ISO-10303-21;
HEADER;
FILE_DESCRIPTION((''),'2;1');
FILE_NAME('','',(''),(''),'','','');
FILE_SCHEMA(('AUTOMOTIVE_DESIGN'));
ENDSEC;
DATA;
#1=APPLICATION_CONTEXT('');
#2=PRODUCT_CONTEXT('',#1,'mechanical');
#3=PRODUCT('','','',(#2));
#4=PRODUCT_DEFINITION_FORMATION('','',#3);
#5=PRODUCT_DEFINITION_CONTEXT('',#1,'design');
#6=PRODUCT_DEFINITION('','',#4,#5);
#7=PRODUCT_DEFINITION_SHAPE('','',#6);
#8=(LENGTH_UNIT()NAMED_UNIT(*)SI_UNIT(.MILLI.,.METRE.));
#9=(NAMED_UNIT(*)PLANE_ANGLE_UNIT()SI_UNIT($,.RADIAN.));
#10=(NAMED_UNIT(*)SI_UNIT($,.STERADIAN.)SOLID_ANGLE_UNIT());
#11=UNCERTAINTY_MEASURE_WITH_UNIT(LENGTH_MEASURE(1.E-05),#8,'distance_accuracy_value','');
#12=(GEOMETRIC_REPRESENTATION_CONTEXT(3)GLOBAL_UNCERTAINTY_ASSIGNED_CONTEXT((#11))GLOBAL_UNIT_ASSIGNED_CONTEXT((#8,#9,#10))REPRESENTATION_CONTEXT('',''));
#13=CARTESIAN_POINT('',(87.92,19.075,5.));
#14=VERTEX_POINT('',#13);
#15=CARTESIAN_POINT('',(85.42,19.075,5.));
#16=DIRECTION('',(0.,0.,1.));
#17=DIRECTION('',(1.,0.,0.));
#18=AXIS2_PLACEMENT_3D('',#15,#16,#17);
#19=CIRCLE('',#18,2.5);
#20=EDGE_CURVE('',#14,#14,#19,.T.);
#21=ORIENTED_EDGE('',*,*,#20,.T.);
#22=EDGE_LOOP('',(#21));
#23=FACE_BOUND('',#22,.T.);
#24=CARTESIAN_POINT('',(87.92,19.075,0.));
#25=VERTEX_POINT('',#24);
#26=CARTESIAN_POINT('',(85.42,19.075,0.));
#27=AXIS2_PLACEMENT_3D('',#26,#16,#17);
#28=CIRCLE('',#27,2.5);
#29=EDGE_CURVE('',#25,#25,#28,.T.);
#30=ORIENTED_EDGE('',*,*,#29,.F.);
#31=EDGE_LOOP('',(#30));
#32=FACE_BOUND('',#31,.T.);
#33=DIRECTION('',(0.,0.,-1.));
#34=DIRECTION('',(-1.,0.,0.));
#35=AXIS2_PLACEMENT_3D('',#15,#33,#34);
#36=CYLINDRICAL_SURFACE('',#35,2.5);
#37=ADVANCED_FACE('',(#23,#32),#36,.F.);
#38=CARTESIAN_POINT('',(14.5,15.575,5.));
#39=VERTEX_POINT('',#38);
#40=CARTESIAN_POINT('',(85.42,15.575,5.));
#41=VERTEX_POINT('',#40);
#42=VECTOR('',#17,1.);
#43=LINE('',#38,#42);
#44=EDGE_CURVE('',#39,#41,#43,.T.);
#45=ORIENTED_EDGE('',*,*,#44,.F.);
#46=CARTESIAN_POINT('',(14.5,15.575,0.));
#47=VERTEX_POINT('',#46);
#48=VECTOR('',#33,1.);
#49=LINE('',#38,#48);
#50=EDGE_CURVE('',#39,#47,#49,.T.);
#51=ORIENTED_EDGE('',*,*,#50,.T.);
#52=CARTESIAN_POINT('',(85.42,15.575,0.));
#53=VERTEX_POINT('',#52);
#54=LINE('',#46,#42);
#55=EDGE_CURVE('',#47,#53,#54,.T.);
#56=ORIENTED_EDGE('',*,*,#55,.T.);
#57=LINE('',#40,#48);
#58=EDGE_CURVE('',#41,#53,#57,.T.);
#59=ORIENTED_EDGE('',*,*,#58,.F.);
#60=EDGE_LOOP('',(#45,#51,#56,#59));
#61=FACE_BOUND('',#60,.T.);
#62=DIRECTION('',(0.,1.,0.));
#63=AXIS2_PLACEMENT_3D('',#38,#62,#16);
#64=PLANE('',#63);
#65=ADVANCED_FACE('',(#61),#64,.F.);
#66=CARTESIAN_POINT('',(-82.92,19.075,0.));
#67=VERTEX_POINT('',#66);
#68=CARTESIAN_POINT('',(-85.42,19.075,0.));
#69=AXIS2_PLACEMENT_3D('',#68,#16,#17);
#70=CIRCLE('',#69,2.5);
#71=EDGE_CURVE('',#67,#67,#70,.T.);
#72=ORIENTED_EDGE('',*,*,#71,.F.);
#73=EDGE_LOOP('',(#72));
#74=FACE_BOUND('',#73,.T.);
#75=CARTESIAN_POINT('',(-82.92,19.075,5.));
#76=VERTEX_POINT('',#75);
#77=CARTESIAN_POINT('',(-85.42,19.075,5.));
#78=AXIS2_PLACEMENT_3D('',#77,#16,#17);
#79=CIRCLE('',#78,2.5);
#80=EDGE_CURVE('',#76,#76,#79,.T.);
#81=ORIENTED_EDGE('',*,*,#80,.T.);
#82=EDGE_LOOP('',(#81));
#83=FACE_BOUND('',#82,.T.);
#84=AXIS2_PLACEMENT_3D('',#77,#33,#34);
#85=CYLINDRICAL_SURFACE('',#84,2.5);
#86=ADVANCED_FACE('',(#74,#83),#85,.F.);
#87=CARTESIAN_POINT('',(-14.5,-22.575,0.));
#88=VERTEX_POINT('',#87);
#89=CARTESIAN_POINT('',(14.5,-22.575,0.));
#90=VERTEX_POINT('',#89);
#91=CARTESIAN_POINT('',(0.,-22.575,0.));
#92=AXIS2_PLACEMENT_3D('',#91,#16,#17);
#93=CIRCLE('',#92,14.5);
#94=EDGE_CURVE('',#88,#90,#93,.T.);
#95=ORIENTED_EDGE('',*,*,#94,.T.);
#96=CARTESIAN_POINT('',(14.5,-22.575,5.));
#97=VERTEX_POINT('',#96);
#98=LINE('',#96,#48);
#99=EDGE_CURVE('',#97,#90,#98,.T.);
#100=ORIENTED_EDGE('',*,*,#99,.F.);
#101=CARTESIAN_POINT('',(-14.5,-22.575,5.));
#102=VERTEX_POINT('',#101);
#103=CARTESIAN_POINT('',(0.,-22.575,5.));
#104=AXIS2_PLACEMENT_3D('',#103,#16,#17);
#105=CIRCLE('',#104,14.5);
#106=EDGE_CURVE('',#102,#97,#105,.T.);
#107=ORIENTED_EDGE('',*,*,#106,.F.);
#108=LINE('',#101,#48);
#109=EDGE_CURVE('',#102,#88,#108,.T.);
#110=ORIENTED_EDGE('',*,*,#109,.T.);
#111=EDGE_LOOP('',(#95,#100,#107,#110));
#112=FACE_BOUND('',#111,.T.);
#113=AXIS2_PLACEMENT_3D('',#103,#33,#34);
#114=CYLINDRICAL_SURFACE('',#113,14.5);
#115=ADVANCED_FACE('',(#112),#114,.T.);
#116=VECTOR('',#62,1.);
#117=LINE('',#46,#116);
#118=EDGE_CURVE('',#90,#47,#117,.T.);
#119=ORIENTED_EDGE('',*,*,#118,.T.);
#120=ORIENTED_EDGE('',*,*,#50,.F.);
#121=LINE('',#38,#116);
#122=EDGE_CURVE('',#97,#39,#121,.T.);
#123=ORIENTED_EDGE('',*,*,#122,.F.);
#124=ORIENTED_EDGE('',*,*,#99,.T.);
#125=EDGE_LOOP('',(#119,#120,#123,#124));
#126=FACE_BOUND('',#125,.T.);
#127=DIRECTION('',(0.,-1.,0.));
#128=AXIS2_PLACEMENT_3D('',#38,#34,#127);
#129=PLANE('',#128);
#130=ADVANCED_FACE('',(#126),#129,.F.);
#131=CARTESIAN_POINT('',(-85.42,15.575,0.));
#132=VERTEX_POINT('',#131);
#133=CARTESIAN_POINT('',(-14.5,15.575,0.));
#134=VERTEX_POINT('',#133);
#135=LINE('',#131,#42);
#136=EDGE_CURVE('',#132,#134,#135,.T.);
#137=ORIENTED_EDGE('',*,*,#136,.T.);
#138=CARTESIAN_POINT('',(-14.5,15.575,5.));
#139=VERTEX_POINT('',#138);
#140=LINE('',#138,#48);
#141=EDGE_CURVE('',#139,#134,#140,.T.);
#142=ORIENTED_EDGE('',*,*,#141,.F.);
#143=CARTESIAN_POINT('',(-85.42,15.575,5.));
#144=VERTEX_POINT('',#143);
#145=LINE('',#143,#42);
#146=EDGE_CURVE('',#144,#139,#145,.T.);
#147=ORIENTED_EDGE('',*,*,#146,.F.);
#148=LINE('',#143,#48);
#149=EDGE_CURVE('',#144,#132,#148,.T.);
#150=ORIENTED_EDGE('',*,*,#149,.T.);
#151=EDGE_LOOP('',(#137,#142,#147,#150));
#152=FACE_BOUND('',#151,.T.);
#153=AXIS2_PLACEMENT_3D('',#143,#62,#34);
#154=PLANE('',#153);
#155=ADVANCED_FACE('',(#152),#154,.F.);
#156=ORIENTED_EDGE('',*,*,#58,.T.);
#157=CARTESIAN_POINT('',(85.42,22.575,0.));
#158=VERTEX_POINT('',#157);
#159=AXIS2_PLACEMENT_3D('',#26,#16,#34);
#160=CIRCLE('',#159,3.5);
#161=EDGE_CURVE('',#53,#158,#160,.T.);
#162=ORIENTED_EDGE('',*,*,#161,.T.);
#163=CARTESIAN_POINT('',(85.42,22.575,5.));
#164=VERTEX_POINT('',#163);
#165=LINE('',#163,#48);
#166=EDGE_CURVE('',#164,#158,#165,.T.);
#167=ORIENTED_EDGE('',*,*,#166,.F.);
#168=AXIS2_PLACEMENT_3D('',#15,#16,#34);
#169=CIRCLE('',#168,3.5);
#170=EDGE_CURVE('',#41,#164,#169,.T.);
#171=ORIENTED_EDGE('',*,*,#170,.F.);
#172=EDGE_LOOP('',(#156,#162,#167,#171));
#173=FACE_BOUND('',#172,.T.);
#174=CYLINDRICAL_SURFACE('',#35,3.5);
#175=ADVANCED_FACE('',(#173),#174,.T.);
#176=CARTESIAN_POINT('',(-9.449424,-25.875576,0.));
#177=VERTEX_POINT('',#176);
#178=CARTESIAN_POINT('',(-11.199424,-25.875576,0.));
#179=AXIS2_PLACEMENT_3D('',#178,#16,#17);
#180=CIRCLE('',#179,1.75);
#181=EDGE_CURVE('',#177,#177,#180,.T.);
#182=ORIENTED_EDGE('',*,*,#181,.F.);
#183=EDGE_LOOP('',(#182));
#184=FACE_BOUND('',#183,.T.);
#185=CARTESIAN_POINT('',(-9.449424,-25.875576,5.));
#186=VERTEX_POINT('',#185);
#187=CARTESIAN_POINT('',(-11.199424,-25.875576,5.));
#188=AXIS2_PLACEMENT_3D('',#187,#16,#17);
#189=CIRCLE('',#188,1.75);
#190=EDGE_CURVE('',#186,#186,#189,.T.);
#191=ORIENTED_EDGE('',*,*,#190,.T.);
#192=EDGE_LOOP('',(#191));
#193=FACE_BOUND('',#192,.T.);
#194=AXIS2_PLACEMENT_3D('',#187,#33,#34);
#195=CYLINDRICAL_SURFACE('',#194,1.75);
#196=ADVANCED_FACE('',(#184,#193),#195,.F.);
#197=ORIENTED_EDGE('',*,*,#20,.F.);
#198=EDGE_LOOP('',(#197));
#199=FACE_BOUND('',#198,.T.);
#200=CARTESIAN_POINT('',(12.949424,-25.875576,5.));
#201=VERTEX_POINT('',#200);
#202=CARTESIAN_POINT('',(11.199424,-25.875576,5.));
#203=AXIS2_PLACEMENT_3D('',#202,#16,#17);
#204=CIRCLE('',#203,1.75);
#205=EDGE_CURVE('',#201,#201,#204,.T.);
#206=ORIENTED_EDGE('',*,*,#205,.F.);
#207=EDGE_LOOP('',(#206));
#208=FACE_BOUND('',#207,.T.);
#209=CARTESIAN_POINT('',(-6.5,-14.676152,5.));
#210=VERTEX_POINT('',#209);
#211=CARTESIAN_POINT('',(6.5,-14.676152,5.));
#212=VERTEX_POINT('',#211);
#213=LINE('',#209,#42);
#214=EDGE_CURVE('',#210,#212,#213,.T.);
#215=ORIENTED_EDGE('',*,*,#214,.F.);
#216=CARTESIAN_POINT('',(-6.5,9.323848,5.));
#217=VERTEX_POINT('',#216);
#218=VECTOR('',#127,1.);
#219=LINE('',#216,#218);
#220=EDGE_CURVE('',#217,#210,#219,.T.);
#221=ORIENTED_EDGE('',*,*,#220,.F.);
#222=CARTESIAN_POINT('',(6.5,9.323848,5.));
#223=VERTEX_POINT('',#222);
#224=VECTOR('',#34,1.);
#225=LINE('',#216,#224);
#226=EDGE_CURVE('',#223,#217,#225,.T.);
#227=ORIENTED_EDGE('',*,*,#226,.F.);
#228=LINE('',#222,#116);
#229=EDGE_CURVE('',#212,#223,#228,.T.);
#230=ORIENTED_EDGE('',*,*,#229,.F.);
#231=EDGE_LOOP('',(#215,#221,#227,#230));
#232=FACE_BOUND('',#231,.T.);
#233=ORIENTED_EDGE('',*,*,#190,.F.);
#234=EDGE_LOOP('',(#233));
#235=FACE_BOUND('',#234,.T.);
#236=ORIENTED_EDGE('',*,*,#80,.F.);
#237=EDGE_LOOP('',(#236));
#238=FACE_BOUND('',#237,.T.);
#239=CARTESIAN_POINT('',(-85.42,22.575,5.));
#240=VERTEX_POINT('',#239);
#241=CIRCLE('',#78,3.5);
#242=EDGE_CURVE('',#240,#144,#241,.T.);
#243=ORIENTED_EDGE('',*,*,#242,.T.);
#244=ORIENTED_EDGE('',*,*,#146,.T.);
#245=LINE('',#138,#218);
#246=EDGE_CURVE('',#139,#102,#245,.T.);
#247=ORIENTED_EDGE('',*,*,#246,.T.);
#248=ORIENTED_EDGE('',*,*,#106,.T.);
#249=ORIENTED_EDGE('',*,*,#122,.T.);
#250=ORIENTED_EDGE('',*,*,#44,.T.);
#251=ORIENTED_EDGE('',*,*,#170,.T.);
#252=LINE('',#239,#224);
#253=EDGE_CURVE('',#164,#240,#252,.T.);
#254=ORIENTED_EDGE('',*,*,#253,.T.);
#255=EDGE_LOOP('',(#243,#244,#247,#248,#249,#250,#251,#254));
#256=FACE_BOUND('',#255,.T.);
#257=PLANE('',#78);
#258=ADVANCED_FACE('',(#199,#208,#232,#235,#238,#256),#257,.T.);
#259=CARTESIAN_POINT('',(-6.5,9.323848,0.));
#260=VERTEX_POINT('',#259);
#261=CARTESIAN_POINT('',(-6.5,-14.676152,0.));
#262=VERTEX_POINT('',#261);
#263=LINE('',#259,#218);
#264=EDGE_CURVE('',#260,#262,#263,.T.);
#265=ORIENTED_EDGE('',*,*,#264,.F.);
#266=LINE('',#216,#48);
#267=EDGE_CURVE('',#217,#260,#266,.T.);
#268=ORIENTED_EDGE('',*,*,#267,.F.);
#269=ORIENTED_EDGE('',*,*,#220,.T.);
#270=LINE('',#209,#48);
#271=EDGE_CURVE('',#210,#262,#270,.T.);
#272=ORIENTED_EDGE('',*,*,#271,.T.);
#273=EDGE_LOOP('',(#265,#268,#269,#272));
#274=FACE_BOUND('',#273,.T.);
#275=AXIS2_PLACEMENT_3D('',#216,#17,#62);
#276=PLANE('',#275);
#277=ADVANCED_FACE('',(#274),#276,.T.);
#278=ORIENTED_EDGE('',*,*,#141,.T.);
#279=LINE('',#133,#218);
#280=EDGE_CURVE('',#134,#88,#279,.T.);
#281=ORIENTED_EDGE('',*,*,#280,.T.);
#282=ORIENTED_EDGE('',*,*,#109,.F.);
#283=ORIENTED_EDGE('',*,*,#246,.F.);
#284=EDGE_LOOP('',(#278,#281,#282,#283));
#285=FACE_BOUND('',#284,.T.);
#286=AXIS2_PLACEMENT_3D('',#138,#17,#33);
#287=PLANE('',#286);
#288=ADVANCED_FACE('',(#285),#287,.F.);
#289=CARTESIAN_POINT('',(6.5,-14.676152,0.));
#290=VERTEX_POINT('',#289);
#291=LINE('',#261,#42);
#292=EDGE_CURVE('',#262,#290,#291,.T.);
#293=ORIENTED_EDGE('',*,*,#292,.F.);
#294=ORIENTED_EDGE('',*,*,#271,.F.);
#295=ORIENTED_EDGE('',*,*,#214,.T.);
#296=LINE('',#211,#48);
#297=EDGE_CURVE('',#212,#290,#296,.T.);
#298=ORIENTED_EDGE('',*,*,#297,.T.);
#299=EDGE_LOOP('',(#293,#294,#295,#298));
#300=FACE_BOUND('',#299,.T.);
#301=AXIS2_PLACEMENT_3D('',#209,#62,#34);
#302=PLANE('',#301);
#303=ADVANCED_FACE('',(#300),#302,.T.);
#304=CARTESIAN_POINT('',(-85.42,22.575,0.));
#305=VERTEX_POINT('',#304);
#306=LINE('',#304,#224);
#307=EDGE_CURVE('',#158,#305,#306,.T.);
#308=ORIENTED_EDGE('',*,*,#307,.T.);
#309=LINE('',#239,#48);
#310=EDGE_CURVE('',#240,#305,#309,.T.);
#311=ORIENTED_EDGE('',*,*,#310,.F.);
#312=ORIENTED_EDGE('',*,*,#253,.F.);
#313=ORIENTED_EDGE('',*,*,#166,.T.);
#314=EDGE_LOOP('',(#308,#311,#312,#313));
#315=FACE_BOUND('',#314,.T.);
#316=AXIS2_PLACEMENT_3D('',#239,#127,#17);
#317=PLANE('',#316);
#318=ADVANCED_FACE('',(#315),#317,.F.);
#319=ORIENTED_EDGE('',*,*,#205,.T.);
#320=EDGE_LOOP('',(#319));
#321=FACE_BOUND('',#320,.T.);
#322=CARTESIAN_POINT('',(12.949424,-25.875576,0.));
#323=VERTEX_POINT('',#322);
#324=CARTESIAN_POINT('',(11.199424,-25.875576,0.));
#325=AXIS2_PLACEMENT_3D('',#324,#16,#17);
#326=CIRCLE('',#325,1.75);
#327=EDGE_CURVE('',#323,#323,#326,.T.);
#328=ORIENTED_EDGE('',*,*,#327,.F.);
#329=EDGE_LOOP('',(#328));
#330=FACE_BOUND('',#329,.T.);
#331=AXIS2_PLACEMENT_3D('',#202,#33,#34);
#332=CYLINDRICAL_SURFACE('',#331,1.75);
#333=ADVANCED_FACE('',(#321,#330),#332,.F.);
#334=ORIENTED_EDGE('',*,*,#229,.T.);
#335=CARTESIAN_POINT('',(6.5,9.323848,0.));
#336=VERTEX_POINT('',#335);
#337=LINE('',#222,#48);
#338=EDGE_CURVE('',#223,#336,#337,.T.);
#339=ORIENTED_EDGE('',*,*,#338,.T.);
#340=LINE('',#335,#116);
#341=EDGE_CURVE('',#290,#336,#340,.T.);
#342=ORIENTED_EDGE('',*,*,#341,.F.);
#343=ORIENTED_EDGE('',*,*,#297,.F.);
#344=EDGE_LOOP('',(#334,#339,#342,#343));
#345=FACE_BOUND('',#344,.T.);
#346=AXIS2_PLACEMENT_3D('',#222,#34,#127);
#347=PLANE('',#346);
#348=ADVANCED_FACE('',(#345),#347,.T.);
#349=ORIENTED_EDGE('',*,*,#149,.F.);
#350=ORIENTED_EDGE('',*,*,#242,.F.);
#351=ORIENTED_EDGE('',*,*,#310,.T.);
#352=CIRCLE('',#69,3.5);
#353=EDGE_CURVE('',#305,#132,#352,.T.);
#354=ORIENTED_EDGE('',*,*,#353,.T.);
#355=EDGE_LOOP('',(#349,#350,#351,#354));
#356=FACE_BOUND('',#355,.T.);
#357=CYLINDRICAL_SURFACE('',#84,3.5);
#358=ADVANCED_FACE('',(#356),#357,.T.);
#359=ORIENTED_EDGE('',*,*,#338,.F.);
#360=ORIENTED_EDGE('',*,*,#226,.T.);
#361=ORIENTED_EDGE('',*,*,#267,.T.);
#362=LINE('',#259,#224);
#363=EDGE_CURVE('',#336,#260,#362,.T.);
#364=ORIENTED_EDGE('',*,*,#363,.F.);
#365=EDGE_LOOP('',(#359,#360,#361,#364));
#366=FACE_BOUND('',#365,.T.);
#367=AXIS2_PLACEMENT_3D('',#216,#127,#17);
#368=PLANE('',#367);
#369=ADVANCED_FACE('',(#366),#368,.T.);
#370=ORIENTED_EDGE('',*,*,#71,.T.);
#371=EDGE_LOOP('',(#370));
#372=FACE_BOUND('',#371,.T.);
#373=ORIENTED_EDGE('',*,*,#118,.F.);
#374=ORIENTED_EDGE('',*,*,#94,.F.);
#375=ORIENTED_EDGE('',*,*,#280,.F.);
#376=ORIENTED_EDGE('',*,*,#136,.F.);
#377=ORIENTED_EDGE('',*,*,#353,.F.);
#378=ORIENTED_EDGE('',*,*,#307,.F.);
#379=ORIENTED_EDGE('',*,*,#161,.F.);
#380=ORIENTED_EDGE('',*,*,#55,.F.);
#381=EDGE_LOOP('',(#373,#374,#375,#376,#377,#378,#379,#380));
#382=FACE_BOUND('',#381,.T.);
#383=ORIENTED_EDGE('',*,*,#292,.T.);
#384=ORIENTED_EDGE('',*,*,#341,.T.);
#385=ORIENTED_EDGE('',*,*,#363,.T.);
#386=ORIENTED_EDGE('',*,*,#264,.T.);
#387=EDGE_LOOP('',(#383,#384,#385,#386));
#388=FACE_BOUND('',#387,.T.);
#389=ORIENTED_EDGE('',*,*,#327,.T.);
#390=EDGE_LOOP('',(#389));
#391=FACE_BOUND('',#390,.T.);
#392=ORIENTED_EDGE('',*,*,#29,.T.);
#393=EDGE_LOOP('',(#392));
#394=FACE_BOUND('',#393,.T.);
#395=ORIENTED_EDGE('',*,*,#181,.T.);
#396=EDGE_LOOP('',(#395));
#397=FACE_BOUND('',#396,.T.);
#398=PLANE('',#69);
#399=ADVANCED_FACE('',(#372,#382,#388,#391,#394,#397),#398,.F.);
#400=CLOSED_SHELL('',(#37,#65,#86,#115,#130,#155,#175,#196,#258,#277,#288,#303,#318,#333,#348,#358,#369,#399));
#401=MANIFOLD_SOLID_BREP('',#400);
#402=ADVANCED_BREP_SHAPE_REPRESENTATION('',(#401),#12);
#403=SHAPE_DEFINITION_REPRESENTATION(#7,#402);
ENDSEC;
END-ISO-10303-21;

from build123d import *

# Parameters (mm, degrees)
SKETCH_1_R      = 2.5
SKETCH_1_R_2    = 1.75
SKETCH_1_W      = 13
SKETCH_1_H      = 24
EXTRUDE_1_DEPTH = 5


with BuildPart() as part:
    # 스케치1 → 보스-돌출1 (new body)
    with BuildSketch(Plane.XY):
        with BuildLine():
            Line((-85.42, 22.575), (85.42, 22.575))
            ThreePointArc((85.42, 22.575), (88.92, 19.075), (85.42, 15.575))
            Line((85.42, 15.575), (14.5, 15.575))
            Line((14.5, 15.575), (14.5, -22.575))
            ThreePointArc((14.5, -22.575), (0, -37.075), (-14.5, -22.575))
            Line((-14.5, -22.575), (-14.5, 15.575))
            Line((-14.5, 15.575), (-85.42, 15.575))
            ThreePointArc((-85.42, 15.575), (-88.92, 19.075), (-85.42, 22.575))
        make_face()
        with Locations((-85.42, 19.075)):
            Circle(SKETCH_1_R, mode=Mode.SUBTRACT)
        with Locations((85.42, 19.075)):
            Circle(SKETCH_1_R, mode=Mode.SUBTRACT)
        with Locations((-11.199423754, -25.875576246)):
            Circle(SKETCH_1_R_2, mode=Mode.SUBTRACT)
        with Locations((11.199423754, -25.875576246)):
            Circle(SKETCH_1_R_2, mode=Mode.SUBTRACT)
        with Locations((0, -2.676152492)):
            Rectangle(SKETCH_1_W, SKETCH_1_H, mode=Mode.SUBTRACT)
    extrude(amount=EXTRUDE_1_DEPTH)


solid = part.part
